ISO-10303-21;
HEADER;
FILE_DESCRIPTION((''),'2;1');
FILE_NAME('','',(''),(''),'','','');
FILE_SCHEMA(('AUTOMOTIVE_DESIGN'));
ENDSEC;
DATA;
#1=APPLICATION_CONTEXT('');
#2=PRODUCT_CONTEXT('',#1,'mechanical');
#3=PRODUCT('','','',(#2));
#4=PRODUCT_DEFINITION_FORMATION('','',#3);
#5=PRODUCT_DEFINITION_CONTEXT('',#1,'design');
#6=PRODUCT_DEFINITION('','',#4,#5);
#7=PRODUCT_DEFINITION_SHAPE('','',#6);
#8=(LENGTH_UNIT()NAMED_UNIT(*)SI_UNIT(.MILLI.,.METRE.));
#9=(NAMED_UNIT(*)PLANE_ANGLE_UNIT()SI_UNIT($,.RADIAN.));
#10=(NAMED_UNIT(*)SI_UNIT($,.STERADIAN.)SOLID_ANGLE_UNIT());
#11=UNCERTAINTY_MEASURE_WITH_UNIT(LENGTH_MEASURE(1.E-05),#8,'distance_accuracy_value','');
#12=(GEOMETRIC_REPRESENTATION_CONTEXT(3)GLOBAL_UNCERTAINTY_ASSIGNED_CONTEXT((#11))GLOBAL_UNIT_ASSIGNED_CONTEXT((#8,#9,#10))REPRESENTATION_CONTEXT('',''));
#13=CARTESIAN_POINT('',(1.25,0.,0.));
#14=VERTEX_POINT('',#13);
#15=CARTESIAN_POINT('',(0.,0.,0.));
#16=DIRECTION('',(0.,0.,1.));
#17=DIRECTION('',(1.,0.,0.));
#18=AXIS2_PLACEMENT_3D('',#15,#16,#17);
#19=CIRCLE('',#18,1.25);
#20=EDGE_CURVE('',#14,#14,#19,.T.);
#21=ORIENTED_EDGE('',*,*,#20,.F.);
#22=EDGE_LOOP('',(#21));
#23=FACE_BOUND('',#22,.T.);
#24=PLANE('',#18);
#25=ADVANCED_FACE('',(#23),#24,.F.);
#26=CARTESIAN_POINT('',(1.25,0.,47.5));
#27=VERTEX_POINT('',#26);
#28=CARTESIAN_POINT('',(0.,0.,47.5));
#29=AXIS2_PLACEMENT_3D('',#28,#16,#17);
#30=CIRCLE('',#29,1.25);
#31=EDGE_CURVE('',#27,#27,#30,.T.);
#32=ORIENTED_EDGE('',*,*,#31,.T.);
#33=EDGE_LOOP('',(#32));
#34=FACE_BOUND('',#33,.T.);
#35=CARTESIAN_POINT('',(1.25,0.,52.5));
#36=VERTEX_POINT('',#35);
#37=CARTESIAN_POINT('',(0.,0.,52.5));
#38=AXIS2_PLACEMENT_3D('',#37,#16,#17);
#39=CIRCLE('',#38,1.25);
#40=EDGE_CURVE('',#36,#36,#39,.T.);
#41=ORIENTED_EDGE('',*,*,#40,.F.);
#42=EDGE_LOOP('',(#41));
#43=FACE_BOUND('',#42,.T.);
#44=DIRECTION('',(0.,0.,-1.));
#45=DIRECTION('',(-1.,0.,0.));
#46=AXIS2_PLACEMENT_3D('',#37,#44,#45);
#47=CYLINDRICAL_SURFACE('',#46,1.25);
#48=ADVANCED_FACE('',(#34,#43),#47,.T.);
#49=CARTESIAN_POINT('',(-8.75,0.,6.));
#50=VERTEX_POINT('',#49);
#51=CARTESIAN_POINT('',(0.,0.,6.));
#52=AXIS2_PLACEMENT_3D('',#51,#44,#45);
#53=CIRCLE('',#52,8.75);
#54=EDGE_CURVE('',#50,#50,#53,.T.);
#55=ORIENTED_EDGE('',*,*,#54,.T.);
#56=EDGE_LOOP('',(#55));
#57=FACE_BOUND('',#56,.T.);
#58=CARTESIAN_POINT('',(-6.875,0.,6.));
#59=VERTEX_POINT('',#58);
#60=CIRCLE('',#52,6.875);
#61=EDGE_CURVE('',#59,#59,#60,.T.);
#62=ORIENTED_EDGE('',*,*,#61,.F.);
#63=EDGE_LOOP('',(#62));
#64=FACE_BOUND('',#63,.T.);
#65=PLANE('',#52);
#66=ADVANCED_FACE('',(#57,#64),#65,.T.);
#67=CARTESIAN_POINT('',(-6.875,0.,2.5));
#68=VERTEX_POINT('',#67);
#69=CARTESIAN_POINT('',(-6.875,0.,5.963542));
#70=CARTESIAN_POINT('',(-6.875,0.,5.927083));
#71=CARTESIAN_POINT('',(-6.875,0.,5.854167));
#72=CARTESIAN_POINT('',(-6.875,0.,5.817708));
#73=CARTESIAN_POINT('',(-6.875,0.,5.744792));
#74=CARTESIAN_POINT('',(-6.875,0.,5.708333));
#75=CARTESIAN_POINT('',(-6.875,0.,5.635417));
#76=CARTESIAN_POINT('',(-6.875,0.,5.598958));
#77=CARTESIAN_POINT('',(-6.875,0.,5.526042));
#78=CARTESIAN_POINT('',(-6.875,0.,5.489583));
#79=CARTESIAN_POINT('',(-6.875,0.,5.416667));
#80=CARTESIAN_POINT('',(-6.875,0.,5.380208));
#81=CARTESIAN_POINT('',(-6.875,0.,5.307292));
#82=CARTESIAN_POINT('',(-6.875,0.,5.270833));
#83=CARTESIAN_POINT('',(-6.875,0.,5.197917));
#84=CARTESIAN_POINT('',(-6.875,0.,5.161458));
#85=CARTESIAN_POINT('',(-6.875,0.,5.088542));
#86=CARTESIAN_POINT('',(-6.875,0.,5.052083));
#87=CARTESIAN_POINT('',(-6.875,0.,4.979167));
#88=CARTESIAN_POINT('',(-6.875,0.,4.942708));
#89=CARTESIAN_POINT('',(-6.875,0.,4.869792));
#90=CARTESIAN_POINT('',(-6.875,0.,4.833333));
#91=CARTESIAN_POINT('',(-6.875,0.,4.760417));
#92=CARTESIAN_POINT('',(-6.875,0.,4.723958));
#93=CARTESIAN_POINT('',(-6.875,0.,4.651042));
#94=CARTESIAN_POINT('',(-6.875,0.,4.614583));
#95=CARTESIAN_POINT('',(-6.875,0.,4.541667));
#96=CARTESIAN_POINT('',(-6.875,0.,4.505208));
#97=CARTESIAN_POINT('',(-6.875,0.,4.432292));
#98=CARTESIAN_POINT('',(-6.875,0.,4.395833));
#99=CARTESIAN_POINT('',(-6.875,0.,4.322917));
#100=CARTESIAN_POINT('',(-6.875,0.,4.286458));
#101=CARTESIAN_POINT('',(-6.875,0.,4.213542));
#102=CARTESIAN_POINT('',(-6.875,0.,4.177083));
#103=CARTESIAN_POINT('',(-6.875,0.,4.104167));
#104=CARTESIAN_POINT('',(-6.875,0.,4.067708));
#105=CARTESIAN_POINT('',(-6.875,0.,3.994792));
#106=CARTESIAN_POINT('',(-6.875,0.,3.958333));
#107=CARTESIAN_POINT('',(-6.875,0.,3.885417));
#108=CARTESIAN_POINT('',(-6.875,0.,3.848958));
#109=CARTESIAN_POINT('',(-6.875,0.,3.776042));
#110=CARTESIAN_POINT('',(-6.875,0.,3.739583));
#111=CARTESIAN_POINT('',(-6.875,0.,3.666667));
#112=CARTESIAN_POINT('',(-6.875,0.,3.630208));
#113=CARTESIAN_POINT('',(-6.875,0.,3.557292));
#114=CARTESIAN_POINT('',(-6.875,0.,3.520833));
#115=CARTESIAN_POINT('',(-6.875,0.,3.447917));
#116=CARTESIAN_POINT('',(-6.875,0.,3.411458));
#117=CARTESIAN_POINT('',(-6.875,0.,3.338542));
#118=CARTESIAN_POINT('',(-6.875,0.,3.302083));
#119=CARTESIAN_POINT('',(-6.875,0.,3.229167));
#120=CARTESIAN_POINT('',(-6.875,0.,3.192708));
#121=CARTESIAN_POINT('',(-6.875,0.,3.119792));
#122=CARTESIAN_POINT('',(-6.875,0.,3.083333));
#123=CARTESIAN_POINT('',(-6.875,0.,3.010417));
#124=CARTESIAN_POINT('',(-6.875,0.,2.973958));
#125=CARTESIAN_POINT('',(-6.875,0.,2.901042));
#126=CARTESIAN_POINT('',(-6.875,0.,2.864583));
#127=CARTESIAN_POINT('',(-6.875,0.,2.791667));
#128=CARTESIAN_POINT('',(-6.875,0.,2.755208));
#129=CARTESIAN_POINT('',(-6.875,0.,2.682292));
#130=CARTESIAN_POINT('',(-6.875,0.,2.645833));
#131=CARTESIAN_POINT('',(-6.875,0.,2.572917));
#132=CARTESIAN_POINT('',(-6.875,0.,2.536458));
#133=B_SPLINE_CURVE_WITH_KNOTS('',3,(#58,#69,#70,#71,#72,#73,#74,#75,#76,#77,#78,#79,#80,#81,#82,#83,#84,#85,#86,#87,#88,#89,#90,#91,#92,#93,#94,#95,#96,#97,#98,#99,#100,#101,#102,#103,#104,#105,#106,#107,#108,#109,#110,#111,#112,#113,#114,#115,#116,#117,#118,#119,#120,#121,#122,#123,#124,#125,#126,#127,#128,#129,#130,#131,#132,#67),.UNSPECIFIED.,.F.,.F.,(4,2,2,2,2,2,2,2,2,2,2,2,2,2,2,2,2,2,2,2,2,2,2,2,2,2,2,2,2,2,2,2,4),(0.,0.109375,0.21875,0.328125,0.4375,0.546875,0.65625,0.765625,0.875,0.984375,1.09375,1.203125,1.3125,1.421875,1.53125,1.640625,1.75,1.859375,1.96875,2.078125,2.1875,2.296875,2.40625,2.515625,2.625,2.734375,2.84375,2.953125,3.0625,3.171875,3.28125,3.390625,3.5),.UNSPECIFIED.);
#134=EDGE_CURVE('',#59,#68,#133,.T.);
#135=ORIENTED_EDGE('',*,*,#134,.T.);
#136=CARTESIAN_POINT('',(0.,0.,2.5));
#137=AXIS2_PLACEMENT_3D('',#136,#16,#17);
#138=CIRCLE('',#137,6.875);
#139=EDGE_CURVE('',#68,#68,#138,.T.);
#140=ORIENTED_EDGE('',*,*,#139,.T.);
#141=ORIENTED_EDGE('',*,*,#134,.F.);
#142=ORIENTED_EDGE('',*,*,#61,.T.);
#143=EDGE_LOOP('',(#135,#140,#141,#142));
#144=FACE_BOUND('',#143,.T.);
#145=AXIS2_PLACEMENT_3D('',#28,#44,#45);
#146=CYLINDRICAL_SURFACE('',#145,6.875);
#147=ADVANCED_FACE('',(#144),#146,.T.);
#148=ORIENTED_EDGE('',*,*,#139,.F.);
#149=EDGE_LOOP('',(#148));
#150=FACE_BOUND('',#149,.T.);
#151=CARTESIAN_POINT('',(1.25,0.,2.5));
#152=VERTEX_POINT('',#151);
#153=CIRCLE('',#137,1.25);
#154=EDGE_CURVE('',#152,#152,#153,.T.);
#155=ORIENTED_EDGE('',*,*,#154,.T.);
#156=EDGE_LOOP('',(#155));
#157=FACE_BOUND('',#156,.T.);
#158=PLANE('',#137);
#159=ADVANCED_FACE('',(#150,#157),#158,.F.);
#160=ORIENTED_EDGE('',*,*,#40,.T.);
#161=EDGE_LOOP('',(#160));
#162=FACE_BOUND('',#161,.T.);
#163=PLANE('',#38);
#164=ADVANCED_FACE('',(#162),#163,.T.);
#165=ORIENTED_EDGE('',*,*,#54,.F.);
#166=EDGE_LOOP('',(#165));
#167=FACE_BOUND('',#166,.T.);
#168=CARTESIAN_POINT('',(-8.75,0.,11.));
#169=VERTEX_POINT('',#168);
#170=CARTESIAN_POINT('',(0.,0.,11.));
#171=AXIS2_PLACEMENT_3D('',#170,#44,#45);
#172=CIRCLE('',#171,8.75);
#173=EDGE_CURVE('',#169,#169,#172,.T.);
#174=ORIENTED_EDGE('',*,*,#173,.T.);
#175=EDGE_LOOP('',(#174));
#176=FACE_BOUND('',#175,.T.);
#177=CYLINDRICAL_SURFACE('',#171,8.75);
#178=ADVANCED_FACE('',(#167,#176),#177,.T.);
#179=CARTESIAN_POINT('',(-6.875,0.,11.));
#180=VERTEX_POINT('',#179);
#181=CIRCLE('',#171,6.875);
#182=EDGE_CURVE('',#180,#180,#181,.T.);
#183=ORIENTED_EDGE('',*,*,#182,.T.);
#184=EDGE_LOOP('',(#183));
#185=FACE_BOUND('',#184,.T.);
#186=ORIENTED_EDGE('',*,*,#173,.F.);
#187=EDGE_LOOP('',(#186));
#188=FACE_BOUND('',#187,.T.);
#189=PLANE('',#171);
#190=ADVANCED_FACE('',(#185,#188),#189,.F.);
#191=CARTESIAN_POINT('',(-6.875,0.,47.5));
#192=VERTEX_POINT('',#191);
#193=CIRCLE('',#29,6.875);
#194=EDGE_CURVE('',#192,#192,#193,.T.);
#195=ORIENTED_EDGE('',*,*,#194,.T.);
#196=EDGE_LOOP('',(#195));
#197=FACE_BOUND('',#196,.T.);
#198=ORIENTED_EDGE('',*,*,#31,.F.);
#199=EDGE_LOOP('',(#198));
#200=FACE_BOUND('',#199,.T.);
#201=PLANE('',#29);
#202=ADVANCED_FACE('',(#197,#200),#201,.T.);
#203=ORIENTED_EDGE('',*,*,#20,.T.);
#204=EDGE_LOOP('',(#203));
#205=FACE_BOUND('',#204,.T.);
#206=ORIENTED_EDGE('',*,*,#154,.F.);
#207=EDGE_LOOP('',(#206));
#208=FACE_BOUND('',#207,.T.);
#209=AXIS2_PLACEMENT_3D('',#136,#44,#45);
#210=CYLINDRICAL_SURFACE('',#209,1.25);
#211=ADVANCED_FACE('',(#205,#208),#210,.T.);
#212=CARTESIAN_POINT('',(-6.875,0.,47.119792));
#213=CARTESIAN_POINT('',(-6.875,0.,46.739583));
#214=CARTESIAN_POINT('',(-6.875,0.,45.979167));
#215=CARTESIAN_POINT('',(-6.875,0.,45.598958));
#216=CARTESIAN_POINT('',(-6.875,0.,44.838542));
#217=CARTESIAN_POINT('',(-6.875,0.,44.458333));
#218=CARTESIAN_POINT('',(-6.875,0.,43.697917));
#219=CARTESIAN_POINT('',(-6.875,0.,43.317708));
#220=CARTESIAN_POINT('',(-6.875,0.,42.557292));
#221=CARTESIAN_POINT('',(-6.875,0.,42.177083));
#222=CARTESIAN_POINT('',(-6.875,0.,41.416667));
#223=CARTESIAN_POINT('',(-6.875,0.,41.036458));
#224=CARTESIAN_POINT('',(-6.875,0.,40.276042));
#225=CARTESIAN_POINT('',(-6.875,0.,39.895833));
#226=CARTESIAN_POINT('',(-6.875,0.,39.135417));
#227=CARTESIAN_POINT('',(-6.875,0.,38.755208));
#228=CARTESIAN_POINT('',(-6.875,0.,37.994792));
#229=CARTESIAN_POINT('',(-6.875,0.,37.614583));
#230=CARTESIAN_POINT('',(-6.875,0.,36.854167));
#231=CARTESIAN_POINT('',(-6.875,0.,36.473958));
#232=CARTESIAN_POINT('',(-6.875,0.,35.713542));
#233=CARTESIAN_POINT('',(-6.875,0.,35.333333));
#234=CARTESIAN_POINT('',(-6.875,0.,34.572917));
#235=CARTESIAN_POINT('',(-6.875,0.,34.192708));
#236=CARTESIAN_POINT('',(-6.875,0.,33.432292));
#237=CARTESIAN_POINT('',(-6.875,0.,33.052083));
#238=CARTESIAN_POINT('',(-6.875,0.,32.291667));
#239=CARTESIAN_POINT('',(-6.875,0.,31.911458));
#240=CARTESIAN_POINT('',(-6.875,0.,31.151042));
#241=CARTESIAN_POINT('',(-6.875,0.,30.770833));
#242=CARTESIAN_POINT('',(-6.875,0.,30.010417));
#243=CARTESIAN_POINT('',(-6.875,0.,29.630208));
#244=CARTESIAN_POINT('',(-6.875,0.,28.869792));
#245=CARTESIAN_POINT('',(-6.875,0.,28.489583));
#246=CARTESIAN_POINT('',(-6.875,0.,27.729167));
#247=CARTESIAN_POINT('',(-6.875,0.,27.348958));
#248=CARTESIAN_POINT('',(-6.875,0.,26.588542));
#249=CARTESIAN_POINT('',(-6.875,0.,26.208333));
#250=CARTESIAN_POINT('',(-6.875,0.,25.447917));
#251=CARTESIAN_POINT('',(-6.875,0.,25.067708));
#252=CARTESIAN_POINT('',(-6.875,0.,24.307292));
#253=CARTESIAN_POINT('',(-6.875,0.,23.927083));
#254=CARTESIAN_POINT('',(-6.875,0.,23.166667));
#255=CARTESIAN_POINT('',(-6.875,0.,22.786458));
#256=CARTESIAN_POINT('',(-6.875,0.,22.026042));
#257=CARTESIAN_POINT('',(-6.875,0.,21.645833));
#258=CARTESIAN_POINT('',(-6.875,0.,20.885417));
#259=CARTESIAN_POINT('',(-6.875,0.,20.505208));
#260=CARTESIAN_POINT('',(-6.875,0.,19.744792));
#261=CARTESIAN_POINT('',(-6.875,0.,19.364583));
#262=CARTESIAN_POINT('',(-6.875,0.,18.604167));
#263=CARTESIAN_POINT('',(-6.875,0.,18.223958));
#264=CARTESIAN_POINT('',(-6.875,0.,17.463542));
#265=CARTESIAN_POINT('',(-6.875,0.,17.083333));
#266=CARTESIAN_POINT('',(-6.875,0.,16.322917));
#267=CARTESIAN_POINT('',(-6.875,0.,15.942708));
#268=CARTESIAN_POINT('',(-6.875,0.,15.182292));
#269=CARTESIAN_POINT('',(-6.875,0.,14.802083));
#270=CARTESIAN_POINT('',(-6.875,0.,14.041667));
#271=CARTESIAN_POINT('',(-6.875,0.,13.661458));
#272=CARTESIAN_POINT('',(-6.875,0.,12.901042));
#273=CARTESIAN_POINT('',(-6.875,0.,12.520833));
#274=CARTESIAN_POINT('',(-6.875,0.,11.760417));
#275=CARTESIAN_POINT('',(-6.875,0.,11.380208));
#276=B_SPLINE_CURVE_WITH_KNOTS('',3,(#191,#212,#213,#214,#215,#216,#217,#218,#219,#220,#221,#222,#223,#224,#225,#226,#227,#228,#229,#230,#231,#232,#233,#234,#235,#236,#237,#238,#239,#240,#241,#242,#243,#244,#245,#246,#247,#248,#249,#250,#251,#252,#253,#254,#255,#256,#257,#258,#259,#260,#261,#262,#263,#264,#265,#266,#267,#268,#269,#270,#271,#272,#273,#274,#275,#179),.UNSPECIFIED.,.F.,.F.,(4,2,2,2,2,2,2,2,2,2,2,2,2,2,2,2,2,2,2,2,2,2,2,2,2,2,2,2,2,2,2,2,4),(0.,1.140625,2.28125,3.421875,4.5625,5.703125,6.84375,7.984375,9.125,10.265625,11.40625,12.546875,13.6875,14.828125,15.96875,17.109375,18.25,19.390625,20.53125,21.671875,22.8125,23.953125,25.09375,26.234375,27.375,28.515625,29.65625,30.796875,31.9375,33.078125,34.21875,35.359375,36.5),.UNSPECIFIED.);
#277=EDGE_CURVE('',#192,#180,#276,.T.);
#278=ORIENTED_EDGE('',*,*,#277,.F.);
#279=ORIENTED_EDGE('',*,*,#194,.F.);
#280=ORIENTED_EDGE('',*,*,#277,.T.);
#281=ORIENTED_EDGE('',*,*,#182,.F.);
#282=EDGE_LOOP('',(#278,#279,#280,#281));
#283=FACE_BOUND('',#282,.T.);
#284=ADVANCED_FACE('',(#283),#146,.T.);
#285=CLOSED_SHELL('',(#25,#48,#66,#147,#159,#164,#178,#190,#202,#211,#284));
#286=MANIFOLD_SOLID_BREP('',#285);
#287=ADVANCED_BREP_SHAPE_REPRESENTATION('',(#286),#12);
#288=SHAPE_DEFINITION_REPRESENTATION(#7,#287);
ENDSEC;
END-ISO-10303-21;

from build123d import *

# Parameters (mm, degrees)
SKETCH1_R                = 1.25
BOSS_EXTRUDE1_DEPTH      = 2.5
SKETCH2_R                = 6.875
BOSS_EXTRUDE2_DEPTH      = 45
BOSS_EXTRUDE3_DEPTH      = 2.5
BOSS_EXTRUDE3_DEPTH_BACK = 2.5
SKETCH3_R                = 8.75
SKETCH5_R                = 1.25
BOSS_EXTRUDE4_DEPTH      = 5


with BuildPart() as part:
    # Sketch1 → Boss-Extrude1 (new body)
    with BuildSketch(Plane.XY):
        Circle(SKETCH1_R)
    extrude(amount=BOSS_EXTRUDE1_DEPTH)

    # Sketch2 → Boss-Extrude2 (add)
    with BuildSketch(Plane.XY.offset(2.5)):
        with Locations(Location((0, 0, 0), (0, 0, 180))):
            Circle(SKETCH2_R)
    extrude(amount=BOSS_EXTRUDE2_DEPTH)

    # Sketch3 → Boss-Extrude3 (add, two sides: drawn at the far end of the back side and taken through both)
    with BuildSketch(Plane(origin=(0, 0, 8.5), x_dir=(-1, 0, 0), z_dir=(0, 0, -1)).offset(-BOSS_EXTRUDE3_DEPTH_BACK)):
        Circle(SKETCH3_R)
    extrude(amount=BOSS_EXTRUDE3_DEPTH + BOSS_EXTRUDE3_DEPTH_BACK)

    # Sketch5 → Boss-Extrude4 (add)
    with BuildSketch(Plane.XY.offset(47.5)):
        Circle(SKETCH5_R)
    extrude(amount=BOSS_EXTRUDE4_DEPTH)


solid = part.part
